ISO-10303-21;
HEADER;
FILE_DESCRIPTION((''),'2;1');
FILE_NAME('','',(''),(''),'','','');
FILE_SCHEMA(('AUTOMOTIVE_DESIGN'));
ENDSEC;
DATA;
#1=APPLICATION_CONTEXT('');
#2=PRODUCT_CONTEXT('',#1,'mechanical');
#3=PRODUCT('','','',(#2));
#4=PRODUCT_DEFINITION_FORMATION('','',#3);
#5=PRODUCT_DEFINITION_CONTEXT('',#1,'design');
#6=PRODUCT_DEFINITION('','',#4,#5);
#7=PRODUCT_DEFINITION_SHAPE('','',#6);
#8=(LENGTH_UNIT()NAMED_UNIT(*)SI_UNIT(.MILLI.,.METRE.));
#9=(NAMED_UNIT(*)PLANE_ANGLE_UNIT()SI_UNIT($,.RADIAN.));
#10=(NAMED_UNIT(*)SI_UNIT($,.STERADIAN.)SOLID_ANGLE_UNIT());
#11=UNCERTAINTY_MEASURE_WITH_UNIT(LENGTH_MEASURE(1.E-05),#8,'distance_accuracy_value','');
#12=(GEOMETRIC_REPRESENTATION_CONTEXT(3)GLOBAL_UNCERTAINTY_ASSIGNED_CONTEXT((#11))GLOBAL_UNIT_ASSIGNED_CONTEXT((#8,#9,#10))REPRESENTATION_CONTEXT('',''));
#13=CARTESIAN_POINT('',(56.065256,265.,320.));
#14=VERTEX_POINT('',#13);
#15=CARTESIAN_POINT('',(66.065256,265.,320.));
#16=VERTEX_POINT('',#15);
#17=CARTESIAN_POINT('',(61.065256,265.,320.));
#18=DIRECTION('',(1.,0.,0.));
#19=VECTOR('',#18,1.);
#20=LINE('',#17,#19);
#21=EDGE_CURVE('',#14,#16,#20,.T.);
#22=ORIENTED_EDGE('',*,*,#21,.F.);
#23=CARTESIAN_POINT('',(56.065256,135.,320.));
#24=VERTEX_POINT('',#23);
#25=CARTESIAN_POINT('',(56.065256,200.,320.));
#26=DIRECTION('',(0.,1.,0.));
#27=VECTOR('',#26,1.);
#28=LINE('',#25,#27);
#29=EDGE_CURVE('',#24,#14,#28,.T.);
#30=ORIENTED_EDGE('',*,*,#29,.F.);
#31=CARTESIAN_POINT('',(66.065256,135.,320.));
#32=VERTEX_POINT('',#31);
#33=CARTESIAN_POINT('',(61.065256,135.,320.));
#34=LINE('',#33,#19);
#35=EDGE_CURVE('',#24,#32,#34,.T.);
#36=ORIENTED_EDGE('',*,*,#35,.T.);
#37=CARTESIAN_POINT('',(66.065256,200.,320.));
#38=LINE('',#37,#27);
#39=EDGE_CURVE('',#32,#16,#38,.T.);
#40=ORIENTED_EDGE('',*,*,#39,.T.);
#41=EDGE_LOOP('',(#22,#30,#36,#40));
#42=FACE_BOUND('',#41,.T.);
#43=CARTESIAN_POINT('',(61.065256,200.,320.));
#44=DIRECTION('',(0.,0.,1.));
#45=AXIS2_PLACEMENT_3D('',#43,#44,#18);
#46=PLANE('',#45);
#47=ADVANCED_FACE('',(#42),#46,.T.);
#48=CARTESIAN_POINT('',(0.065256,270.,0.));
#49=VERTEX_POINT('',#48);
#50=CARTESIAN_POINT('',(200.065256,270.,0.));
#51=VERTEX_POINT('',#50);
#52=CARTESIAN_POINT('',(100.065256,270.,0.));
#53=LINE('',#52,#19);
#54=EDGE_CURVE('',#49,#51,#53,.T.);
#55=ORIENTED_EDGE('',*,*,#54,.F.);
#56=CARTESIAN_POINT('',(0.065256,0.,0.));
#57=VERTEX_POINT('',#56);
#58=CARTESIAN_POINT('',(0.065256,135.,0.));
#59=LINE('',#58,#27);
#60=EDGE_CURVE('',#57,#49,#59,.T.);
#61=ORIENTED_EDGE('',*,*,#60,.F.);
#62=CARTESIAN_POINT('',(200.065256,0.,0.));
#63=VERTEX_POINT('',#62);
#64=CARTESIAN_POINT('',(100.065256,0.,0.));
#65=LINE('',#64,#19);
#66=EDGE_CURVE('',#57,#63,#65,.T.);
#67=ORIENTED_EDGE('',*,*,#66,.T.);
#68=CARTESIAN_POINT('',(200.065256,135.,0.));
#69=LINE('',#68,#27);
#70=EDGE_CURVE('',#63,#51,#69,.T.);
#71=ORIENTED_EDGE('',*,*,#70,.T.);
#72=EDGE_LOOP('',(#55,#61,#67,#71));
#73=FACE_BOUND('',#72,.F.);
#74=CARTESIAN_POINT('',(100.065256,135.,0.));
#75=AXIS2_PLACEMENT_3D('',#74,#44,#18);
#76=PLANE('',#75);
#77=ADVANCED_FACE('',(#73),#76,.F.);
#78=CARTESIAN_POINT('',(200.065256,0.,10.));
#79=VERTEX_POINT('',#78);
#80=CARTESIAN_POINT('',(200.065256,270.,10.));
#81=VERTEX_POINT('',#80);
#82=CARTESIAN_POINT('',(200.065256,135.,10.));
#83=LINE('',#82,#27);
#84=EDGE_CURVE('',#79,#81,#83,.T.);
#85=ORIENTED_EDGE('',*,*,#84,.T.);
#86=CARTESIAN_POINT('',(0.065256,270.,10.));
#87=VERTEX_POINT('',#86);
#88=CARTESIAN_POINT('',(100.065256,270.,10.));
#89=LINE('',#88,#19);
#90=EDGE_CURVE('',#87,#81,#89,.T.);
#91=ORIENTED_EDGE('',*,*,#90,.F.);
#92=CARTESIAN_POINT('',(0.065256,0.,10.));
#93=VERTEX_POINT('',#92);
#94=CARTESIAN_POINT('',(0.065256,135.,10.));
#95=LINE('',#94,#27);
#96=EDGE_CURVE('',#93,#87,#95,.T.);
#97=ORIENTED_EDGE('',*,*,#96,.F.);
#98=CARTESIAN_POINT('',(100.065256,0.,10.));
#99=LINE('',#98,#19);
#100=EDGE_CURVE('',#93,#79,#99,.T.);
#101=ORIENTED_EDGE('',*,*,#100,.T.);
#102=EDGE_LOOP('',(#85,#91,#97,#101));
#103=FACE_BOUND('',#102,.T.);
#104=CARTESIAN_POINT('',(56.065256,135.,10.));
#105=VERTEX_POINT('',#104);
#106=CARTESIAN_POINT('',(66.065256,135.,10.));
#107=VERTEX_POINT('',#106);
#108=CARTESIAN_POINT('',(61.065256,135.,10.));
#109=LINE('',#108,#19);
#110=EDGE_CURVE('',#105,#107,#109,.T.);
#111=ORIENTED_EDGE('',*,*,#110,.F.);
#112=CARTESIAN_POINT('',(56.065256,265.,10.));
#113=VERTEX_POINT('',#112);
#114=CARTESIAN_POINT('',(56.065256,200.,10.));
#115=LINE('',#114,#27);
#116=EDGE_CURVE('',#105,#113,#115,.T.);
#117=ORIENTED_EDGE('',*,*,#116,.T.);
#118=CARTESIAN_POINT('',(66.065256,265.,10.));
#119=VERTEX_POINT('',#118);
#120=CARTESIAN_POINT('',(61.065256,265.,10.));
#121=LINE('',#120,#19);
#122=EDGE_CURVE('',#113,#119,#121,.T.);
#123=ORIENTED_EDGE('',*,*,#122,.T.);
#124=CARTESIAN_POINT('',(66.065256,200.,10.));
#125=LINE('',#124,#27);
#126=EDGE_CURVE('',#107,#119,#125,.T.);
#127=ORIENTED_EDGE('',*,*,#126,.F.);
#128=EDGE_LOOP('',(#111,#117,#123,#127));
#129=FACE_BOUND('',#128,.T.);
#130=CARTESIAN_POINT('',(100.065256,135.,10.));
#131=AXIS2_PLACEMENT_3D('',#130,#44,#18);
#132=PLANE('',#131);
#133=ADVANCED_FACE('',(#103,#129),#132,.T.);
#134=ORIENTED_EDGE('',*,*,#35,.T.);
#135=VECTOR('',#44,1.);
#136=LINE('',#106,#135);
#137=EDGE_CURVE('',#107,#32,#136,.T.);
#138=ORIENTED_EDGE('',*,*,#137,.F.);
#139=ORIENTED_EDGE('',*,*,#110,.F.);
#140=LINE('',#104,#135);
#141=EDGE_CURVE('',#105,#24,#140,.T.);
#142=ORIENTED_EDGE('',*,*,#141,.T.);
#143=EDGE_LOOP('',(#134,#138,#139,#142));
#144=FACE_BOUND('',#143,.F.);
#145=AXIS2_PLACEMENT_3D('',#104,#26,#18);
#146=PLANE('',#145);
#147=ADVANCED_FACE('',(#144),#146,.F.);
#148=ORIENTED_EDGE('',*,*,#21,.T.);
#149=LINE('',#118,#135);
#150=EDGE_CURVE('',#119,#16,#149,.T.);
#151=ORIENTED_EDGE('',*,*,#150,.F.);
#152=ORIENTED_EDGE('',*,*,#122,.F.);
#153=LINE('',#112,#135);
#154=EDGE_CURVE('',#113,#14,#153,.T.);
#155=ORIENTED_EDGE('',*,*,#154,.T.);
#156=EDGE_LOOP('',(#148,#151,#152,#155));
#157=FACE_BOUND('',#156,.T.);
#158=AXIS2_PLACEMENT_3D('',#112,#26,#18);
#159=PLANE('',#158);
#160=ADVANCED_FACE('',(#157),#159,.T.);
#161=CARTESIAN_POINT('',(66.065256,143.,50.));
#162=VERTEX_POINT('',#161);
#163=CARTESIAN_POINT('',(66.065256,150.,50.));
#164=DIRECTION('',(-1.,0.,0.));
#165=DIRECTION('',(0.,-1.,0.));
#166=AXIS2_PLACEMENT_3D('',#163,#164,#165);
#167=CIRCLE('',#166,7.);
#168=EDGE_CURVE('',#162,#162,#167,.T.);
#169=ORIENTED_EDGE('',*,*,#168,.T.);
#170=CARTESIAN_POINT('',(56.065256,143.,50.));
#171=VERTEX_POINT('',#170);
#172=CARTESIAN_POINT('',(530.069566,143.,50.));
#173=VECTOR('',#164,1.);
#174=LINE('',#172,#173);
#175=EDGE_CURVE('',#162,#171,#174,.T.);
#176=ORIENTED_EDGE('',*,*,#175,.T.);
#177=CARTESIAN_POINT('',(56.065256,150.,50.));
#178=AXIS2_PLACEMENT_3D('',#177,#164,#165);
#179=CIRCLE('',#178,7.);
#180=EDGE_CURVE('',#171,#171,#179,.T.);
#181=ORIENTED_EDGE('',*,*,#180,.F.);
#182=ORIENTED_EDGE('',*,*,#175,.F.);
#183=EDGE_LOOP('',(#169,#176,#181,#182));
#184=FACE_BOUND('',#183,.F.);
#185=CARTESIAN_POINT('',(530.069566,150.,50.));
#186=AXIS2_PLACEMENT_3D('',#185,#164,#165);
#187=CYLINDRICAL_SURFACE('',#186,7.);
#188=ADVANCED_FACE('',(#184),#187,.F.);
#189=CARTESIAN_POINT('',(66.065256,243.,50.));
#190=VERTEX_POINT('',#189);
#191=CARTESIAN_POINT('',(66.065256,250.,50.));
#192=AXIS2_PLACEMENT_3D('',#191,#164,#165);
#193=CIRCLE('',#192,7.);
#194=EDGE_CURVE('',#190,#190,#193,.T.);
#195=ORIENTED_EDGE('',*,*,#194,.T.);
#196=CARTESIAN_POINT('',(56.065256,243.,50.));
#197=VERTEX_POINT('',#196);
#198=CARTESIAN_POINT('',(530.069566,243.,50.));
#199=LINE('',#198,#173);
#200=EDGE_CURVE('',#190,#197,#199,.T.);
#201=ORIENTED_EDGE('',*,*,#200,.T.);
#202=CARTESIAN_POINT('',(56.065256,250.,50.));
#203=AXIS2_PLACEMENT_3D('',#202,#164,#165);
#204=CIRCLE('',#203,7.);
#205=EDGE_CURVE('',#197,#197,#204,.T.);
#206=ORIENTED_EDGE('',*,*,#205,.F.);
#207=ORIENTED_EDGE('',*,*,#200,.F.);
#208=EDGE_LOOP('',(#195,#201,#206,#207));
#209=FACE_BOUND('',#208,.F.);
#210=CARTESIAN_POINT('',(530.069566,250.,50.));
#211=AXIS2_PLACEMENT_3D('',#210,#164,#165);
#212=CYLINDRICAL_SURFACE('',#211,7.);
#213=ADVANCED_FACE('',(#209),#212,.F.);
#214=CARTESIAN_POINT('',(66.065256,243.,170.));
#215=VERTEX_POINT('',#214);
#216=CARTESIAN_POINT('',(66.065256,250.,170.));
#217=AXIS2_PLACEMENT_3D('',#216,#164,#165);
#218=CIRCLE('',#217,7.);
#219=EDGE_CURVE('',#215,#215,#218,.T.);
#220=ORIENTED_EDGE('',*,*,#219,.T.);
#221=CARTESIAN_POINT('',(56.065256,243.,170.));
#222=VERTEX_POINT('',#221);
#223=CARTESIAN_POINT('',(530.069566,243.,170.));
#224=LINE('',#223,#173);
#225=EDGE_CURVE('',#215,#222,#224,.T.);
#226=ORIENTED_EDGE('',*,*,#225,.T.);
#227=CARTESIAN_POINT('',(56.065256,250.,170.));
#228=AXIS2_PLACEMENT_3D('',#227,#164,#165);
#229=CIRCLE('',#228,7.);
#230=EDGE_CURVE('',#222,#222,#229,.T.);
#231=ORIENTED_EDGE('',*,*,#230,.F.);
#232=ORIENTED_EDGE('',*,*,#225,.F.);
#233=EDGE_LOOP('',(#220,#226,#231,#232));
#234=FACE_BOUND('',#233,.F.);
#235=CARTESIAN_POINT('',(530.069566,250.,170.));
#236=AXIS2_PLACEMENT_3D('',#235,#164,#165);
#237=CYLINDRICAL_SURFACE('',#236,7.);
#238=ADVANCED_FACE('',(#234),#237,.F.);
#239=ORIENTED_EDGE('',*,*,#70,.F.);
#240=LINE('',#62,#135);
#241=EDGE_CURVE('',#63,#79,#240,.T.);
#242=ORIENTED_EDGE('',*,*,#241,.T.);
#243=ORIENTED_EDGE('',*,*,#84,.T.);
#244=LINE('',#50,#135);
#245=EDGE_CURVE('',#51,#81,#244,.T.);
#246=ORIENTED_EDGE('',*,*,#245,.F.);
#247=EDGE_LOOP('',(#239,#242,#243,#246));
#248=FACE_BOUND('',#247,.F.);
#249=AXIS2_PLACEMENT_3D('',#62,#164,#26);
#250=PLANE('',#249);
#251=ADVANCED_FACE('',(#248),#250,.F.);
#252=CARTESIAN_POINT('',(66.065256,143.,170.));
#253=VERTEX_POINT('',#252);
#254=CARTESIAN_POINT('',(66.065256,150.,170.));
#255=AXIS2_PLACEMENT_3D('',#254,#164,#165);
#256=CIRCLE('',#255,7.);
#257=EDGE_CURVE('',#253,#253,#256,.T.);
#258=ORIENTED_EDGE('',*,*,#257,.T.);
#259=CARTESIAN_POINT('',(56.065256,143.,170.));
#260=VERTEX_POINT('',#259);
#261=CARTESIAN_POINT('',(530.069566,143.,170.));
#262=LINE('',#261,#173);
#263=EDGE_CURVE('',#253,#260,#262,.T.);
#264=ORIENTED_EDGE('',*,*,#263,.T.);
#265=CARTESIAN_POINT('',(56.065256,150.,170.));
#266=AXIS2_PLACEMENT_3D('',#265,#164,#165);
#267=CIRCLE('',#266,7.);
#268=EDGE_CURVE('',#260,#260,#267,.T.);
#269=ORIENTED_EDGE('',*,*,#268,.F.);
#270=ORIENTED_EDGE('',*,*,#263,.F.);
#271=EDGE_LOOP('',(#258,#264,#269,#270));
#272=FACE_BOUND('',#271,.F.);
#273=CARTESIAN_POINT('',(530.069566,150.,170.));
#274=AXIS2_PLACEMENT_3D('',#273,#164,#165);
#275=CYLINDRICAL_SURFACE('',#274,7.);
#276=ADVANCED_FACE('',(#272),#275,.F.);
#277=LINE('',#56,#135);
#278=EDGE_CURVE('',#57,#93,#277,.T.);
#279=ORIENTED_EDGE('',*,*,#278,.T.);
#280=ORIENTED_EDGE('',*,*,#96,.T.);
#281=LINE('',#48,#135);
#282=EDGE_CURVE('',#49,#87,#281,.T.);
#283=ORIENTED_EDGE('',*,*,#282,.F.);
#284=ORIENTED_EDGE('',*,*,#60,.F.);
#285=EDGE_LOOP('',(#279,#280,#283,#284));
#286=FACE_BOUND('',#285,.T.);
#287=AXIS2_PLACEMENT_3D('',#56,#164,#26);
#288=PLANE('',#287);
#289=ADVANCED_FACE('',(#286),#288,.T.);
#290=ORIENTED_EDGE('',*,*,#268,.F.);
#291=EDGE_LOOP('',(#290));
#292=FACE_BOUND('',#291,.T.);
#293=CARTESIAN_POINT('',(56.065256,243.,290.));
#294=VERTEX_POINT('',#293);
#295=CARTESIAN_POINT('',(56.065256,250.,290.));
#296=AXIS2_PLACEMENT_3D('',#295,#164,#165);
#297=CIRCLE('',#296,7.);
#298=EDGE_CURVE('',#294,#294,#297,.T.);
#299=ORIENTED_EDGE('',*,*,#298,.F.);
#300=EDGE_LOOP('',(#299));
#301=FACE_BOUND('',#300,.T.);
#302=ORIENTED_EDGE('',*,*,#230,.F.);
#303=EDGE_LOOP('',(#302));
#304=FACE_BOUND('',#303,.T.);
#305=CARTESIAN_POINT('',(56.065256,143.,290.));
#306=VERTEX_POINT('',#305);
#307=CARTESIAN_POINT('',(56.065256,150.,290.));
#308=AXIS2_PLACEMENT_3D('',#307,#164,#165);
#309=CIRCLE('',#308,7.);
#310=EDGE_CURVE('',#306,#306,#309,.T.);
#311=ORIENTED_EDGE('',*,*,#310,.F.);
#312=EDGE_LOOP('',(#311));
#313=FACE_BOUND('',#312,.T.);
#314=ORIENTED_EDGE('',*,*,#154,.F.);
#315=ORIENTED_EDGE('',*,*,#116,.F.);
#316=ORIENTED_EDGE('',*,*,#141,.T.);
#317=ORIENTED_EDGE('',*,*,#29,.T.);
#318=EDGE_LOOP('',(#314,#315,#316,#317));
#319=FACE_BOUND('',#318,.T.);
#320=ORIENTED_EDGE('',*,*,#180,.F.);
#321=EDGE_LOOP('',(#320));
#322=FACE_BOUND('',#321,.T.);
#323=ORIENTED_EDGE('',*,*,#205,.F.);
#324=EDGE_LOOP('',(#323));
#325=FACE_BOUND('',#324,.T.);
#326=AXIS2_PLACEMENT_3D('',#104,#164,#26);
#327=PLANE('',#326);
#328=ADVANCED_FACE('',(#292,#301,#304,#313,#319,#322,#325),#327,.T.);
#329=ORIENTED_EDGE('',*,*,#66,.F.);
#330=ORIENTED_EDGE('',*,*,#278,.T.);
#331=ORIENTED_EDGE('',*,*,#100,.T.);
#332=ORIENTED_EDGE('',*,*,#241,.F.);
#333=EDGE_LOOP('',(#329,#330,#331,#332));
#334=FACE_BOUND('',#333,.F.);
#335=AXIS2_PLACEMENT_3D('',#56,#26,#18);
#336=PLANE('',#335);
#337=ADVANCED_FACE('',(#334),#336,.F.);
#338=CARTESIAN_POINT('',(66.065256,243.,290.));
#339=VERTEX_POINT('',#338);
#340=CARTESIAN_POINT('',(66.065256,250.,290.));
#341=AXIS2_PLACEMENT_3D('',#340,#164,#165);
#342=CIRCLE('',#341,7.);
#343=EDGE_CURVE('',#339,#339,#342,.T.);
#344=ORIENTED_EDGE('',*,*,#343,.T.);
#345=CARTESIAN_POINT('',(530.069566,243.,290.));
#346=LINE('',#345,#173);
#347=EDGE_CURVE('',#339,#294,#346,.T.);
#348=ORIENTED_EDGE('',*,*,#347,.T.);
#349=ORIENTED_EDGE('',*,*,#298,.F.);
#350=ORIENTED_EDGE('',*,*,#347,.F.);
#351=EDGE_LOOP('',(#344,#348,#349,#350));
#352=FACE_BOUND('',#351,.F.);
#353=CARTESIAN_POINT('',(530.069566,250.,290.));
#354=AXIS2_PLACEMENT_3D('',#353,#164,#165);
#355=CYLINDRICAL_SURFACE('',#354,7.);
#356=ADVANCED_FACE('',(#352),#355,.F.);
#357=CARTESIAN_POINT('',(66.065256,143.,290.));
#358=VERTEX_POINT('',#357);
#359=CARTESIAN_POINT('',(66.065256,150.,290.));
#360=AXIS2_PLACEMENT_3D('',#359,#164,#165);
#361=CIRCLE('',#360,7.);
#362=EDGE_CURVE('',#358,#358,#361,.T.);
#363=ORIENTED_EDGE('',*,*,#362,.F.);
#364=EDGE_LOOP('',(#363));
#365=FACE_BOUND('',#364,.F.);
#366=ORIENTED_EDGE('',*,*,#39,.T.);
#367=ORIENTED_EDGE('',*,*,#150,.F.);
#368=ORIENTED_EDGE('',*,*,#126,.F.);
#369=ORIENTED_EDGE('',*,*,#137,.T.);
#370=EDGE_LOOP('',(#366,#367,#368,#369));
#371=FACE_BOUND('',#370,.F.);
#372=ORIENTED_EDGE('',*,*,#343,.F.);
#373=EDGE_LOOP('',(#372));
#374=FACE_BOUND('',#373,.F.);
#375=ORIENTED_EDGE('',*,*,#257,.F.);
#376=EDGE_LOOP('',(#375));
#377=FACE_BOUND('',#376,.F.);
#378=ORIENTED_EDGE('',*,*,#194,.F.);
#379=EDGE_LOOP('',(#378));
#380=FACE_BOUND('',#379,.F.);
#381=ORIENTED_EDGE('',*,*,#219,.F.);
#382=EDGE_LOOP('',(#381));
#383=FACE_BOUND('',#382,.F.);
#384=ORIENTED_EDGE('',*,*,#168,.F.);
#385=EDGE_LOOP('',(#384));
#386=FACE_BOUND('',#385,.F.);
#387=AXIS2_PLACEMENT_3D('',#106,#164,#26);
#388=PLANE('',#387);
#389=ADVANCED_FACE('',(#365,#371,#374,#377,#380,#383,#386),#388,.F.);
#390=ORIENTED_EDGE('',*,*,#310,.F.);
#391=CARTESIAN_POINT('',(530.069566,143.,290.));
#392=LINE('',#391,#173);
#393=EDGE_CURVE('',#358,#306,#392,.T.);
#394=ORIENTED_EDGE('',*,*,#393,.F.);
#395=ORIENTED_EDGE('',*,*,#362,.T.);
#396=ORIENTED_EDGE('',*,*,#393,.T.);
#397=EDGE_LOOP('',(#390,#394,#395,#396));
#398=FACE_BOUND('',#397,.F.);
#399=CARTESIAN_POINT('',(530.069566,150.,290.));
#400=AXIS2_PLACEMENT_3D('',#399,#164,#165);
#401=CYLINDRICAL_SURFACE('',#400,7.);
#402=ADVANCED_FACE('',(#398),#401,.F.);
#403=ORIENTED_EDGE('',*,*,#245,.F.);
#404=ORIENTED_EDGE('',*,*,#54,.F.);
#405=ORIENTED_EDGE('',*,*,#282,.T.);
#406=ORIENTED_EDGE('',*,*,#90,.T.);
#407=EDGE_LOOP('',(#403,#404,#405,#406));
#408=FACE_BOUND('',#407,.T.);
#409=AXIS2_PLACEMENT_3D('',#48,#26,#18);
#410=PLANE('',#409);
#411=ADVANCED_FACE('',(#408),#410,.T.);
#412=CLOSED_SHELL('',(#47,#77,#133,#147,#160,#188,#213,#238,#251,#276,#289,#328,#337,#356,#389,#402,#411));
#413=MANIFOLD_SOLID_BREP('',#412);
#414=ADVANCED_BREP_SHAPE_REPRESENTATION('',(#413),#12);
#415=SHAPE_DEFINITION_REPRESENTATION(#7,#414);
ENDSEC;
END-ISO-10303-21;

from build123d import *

# Parameters (mm, degrees)
F0_W     = 200
F0_H     = 270
F1_DEPTH = 10
F2_W     = 10
F2_H     = 130
F3_DEPTH = 310
F5_D     = 14


with BuildPart() as f1:
    # F0 (on Top) → F1 (new body)
    with BuildSketch(Plane.XY):
        with Locations((100.065256, 135)):
            Rectangle(F0_W, F0_H)
    extrude(amount=F1_DEPTH)

    # F2 (on face) → F3 (join)
    with BuildSketch(Plane.XY.offset(10)):
        with Locations((61.065256, 200)):
            Rectangle(F2_W, F2_H)
    extrude(amount=F3_DEPTH)

    # F5 (through all)
    with Locations(Plane.YZ.offset(66.065256)):
        with Locations((150, 170), (150, 50), (250, 50), (250, 170), (250, 290), (150, 290)):
            Hole(F5_D / 2)


solid = f1.part
